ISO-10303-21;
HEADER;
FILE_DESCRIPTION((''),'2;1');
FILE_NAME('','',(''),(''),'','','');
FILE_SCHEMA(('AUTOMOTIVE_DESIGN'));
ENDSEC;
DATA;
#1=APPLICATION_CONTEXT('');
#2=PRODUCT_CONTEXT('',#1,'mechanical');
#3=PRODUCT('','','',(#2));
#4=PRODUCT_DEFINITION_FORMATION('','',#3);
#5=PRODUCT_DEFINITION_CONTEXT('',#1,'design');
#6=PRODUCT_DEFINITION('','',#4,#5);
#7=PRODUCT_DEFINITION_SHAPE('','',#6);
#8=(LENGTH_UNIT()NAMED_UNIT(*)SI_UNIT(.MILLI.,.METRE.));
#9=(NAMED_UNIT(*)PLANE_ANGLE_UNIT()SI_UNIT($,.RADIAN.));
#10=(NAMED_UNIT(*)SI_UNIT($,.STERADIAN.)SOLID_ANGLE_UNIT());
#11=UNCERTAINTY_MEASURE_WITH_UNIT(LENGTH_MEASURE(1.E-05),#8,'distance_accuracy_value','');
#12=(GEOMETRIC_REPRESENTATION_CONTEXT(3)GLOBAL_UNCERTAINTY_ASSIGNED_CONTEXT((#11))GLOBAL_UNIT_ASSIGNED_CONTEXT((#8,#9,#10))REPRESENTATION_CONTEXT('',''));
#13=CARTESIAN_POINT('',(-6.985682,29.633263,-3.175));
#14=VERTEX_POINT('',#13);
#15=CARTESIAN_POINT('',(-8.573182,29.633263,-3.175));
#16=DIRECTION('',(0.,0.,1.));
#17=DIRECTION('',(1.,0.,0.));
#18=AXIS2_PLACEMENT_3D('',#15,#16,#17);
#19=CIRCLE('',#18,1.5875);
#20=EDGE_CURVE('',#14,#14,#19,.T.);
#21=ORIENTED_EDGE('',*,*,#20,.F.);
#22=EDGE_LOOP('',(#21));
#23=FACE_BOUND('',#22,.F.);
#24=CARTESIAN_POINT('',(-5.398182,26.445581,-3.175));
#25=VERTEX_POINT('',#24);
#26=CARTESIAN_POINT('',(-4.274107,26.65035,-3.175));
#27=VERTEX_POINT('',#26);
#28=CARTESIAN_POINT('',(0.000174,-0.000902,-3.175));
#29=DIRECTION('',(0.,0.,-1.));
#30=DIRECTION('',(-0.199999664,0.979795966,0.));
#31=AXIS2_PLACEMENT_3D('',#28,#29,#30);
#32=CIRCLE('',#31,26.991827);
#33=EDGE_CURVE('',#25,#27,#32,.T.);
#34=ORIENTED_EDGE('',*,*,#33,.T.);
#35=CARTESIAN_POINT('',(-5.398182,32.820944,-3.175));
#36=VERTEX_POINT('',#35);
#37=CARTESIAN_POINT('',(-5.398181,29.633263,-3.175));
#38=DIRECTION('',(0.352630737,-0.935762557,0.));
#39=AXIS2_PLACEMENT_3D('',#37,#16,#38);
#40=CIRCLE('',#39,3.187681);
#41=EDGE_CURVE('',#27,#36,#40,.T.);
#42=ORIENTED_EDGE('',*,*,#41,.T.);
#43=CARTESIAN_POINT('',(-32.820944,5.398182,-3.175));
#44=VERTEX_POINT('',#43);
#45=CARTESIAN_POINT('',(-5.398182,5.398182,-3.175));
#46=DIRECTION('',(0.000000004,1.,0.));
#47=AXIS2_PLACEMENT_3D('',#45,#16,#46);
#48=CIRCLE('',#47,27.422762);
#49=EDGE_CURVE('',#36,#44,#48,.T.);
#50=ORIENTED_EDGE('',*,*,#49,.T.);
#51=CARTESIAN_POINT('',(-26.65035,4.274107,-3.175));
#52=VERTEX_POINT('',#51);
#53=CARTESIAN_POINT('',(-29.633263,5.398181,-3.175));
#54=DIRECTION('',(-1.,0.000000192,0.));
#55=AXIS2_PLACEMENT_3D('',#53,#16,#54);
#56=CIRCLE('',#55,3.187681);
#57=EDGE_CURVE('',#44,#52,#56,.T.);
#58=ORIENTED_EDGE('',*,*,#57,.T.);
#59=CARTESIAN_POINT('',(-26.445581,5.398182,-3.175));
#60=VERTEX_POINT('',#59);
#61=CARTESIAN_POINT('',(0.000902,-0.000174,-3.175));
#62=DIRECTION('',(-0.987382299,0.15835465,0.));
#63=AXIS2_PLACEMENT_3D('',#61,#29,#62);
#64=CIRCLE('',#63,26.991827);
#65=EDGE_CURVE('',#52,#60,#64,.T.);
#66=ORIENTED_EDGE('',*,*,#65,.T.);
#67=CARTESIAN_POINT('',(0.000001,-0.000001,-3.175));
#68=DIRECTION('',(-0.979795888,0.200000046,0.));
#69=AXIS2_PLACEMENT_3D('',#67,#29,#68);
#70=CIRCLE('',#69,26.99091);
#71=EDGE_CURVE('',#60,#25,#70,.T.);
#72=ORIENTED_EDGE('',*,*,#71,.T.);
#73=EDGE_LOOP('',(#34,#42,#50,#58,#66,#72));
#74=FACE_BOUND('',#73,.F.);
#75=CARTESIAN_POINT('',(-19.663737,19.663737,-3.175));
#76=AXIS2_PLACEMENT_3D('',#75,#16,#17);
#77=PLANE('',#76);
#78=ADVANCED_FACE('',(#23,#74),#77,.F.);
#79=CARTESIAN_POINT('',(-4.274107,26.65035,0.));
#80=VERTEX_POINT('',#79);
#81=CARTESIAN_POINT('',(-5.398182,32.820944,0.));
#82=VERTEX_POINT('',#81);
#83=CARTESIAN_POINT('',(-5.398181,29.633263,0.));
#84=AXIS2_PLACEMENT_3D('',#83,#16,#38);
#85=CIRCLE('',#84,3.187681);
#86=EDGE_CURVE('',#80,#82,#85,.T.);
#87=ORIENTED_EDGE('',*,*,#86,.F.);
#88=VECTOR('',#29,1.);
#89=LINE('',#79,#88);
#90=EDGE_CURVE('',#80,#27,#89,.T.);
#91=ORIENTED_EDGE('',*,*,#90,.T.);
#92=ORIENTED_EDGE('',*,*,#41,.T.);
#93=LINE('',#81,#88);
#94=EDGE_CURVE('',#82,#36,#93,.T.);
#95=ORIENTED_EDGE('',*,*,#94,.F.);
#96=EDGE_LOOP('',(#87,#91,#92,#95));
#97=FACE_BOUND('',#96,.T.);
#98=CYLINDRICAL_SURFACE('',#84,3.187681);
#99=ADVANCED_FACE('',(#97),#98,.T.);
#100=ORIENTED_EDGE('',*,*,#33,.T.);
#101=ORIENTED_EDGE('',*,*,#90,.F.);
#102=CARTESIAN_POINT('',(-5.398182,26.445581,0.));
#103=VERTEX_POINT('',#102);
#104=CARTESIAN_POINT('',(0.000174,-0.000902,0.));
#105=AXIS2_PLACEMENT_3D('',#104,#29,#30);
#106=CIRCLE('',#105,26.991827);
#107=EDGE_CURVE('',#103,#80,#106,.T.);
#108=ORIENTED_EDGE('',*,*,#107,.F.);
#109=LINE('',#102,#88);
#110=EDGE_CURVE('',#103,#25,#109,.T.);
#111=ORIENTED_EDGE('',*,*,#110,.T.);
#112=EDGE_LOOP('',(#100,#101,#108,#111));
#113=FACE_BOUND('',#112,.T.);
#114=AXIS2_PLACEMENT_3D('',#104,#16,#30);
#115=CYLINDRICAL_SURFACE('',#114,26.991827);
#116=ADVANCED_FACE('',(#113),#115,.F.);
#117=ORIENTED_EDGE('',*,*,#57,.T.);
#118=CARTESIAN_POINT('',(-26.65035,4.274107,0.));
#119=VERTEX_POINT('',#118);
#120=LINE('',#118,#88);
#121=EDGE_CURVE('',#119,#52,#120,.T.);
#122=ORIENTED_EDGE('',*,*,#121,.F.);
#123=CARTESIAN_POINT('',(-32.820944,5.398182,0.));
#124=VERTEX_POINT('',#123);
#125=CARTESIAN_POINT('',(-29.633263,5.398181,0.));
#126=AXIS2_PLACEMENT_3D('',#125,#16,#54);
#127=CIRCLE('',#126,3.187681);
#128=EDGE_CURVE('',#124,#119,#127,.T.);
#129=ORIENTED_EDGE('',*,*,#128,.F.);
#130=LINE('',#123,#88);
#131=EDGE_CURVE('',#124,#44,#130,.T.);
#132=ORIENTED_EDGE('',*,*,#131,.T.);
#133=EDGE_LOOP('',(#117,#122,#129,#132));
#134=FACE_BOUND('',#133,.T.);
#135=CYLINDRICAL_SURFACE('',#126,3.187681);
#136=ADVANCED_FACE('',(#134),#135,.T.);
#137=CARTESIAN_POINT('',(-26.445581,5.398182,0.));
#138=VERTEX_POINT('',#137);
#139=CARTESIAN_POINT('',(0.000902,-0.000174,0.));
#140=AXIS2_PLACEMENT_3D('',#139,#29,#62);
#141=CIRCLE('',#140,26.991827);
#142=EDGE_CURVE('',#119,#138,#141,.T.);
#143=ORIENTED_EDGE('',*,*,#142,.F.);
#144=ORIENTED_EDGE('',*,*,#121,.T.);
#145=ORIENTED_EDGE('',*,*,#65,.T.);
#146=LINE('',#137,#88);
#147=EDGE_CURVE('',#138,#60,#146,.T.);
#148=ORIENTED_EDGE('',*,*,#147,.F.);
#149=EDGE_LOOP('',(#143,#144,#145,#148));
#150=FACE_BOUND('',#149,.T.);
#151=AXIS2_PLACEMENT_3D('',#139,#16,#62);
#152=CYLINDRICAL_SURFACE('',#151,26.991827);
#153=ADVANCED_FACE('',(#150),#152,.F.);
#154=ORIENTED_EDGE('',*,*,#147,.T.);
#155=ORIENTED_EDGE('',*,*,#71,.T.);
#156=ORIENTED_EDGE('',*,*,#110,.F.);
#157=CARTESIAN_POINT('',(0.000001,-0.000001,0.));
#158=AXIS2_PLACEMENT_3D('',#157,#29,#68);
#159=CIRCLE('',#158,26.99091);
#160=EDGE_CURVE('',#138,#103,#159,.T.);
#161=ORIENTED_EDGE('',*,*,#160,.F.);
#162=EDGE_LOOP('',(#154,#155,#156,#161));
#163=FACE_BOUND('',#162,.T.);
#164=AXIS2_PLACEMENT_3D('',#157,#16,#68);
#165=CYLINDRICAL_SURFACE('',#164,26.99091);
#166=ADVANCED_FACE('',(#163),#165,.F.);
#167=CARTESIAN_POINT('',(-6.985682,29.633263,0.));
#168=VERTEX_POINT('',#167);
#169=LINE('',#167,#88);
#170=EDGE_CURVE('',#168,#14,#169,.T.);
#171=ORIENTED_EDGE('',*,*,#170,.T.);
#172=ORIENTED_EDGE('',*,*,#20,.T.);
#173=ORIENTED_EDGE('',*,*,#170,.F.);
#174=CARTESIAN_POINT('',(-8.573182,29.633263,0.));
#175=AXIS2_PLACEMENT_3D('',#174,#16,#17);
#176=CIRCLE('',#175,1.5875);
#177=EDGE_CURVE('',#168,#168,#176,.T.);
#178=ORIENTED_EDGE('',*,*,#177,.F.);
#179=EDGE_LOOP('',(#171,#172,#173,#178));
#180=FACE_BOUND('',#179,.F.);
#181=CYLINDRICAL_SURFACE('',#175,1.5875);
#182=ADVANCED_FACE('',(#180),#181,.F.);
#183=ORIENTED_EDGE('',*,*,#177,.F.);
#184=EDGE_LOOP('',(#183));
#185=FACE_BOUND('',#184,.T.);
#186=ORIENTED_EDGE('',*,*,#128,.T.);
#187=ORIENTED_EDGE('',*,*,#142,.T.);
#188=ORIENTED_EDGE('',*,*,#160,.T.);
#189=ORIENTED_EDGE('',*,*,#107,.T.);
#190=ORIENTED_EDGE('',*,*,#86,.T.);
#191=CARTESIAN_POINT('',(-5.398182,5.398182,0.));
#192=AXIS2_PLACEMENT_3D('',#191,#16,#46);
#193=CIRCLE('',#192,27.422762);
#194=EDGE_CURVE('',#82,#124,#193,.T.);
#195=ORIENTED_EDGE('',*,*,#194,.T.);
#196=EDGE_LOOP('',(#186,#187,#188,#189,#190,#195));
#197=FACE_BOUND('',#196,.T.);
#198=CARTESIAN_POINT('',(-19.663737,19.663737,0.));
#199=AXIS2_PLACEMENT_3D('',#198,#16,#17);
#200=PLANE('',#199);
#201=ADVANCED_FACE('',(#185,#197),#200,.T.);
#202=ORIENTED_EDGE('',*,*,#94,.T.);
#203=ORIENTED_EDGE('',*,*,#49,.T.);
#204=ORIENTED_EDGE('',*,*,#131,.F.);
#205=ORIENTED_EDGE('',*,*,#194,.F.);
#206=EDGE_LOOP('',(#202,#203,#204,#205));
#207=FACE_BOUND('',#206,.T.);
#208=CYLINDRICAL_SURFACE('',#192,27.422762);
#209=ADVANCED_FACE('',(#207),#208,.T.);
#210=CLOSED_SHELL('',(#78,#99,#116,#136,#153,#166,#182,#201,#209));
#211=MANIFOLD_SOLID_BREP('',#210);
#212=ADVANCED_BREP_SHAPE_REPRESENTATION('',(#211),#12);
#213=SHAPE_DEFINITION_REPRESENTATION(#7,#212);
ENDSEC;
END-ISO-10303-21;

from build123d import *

# Parameters (mm, degrees)
F0_R     = 1.5875
F1_DEPTH = 3.175


with BuildPart() as f1:
    # F0 (on Top) → F1 (new body)
    with BuildSketch(Plane.XY):
        with BuildLine():
            ThreePointArc((-5.398182, 26.445581), (-4.837228, 26.553914), (-4.274107, 26.65035))
            ThreePointArc((-4.274107, 26.65035), (-2.26211, 30.204549), (-5.398182, 32.820944))
            ThreePointArc((-5.398182, 32.820944), (-24.789003, 24.789003), (-32.820944, 5.398182))
            ThreePointArc((-32.820944, 5.398182), (-30.204549, 2.26211), (-26.65035, 4.274107))
            ThreePointArc((-26.65035, 4.274107), (-26.553914, 4.837228), (-26.445581, 5.398182))
            ThreePointArc((-26.445581, 5.398182), (-19.085454, 19.085454), (-5.398182, 26.445581))
        make_face()
        with Locations((-8.573182, 29.633263)):
            Circle(F0_R, mode=Mode.SUBTRACT)
    extrude(amount=-F1_DEPTH)


solid = f1.part
